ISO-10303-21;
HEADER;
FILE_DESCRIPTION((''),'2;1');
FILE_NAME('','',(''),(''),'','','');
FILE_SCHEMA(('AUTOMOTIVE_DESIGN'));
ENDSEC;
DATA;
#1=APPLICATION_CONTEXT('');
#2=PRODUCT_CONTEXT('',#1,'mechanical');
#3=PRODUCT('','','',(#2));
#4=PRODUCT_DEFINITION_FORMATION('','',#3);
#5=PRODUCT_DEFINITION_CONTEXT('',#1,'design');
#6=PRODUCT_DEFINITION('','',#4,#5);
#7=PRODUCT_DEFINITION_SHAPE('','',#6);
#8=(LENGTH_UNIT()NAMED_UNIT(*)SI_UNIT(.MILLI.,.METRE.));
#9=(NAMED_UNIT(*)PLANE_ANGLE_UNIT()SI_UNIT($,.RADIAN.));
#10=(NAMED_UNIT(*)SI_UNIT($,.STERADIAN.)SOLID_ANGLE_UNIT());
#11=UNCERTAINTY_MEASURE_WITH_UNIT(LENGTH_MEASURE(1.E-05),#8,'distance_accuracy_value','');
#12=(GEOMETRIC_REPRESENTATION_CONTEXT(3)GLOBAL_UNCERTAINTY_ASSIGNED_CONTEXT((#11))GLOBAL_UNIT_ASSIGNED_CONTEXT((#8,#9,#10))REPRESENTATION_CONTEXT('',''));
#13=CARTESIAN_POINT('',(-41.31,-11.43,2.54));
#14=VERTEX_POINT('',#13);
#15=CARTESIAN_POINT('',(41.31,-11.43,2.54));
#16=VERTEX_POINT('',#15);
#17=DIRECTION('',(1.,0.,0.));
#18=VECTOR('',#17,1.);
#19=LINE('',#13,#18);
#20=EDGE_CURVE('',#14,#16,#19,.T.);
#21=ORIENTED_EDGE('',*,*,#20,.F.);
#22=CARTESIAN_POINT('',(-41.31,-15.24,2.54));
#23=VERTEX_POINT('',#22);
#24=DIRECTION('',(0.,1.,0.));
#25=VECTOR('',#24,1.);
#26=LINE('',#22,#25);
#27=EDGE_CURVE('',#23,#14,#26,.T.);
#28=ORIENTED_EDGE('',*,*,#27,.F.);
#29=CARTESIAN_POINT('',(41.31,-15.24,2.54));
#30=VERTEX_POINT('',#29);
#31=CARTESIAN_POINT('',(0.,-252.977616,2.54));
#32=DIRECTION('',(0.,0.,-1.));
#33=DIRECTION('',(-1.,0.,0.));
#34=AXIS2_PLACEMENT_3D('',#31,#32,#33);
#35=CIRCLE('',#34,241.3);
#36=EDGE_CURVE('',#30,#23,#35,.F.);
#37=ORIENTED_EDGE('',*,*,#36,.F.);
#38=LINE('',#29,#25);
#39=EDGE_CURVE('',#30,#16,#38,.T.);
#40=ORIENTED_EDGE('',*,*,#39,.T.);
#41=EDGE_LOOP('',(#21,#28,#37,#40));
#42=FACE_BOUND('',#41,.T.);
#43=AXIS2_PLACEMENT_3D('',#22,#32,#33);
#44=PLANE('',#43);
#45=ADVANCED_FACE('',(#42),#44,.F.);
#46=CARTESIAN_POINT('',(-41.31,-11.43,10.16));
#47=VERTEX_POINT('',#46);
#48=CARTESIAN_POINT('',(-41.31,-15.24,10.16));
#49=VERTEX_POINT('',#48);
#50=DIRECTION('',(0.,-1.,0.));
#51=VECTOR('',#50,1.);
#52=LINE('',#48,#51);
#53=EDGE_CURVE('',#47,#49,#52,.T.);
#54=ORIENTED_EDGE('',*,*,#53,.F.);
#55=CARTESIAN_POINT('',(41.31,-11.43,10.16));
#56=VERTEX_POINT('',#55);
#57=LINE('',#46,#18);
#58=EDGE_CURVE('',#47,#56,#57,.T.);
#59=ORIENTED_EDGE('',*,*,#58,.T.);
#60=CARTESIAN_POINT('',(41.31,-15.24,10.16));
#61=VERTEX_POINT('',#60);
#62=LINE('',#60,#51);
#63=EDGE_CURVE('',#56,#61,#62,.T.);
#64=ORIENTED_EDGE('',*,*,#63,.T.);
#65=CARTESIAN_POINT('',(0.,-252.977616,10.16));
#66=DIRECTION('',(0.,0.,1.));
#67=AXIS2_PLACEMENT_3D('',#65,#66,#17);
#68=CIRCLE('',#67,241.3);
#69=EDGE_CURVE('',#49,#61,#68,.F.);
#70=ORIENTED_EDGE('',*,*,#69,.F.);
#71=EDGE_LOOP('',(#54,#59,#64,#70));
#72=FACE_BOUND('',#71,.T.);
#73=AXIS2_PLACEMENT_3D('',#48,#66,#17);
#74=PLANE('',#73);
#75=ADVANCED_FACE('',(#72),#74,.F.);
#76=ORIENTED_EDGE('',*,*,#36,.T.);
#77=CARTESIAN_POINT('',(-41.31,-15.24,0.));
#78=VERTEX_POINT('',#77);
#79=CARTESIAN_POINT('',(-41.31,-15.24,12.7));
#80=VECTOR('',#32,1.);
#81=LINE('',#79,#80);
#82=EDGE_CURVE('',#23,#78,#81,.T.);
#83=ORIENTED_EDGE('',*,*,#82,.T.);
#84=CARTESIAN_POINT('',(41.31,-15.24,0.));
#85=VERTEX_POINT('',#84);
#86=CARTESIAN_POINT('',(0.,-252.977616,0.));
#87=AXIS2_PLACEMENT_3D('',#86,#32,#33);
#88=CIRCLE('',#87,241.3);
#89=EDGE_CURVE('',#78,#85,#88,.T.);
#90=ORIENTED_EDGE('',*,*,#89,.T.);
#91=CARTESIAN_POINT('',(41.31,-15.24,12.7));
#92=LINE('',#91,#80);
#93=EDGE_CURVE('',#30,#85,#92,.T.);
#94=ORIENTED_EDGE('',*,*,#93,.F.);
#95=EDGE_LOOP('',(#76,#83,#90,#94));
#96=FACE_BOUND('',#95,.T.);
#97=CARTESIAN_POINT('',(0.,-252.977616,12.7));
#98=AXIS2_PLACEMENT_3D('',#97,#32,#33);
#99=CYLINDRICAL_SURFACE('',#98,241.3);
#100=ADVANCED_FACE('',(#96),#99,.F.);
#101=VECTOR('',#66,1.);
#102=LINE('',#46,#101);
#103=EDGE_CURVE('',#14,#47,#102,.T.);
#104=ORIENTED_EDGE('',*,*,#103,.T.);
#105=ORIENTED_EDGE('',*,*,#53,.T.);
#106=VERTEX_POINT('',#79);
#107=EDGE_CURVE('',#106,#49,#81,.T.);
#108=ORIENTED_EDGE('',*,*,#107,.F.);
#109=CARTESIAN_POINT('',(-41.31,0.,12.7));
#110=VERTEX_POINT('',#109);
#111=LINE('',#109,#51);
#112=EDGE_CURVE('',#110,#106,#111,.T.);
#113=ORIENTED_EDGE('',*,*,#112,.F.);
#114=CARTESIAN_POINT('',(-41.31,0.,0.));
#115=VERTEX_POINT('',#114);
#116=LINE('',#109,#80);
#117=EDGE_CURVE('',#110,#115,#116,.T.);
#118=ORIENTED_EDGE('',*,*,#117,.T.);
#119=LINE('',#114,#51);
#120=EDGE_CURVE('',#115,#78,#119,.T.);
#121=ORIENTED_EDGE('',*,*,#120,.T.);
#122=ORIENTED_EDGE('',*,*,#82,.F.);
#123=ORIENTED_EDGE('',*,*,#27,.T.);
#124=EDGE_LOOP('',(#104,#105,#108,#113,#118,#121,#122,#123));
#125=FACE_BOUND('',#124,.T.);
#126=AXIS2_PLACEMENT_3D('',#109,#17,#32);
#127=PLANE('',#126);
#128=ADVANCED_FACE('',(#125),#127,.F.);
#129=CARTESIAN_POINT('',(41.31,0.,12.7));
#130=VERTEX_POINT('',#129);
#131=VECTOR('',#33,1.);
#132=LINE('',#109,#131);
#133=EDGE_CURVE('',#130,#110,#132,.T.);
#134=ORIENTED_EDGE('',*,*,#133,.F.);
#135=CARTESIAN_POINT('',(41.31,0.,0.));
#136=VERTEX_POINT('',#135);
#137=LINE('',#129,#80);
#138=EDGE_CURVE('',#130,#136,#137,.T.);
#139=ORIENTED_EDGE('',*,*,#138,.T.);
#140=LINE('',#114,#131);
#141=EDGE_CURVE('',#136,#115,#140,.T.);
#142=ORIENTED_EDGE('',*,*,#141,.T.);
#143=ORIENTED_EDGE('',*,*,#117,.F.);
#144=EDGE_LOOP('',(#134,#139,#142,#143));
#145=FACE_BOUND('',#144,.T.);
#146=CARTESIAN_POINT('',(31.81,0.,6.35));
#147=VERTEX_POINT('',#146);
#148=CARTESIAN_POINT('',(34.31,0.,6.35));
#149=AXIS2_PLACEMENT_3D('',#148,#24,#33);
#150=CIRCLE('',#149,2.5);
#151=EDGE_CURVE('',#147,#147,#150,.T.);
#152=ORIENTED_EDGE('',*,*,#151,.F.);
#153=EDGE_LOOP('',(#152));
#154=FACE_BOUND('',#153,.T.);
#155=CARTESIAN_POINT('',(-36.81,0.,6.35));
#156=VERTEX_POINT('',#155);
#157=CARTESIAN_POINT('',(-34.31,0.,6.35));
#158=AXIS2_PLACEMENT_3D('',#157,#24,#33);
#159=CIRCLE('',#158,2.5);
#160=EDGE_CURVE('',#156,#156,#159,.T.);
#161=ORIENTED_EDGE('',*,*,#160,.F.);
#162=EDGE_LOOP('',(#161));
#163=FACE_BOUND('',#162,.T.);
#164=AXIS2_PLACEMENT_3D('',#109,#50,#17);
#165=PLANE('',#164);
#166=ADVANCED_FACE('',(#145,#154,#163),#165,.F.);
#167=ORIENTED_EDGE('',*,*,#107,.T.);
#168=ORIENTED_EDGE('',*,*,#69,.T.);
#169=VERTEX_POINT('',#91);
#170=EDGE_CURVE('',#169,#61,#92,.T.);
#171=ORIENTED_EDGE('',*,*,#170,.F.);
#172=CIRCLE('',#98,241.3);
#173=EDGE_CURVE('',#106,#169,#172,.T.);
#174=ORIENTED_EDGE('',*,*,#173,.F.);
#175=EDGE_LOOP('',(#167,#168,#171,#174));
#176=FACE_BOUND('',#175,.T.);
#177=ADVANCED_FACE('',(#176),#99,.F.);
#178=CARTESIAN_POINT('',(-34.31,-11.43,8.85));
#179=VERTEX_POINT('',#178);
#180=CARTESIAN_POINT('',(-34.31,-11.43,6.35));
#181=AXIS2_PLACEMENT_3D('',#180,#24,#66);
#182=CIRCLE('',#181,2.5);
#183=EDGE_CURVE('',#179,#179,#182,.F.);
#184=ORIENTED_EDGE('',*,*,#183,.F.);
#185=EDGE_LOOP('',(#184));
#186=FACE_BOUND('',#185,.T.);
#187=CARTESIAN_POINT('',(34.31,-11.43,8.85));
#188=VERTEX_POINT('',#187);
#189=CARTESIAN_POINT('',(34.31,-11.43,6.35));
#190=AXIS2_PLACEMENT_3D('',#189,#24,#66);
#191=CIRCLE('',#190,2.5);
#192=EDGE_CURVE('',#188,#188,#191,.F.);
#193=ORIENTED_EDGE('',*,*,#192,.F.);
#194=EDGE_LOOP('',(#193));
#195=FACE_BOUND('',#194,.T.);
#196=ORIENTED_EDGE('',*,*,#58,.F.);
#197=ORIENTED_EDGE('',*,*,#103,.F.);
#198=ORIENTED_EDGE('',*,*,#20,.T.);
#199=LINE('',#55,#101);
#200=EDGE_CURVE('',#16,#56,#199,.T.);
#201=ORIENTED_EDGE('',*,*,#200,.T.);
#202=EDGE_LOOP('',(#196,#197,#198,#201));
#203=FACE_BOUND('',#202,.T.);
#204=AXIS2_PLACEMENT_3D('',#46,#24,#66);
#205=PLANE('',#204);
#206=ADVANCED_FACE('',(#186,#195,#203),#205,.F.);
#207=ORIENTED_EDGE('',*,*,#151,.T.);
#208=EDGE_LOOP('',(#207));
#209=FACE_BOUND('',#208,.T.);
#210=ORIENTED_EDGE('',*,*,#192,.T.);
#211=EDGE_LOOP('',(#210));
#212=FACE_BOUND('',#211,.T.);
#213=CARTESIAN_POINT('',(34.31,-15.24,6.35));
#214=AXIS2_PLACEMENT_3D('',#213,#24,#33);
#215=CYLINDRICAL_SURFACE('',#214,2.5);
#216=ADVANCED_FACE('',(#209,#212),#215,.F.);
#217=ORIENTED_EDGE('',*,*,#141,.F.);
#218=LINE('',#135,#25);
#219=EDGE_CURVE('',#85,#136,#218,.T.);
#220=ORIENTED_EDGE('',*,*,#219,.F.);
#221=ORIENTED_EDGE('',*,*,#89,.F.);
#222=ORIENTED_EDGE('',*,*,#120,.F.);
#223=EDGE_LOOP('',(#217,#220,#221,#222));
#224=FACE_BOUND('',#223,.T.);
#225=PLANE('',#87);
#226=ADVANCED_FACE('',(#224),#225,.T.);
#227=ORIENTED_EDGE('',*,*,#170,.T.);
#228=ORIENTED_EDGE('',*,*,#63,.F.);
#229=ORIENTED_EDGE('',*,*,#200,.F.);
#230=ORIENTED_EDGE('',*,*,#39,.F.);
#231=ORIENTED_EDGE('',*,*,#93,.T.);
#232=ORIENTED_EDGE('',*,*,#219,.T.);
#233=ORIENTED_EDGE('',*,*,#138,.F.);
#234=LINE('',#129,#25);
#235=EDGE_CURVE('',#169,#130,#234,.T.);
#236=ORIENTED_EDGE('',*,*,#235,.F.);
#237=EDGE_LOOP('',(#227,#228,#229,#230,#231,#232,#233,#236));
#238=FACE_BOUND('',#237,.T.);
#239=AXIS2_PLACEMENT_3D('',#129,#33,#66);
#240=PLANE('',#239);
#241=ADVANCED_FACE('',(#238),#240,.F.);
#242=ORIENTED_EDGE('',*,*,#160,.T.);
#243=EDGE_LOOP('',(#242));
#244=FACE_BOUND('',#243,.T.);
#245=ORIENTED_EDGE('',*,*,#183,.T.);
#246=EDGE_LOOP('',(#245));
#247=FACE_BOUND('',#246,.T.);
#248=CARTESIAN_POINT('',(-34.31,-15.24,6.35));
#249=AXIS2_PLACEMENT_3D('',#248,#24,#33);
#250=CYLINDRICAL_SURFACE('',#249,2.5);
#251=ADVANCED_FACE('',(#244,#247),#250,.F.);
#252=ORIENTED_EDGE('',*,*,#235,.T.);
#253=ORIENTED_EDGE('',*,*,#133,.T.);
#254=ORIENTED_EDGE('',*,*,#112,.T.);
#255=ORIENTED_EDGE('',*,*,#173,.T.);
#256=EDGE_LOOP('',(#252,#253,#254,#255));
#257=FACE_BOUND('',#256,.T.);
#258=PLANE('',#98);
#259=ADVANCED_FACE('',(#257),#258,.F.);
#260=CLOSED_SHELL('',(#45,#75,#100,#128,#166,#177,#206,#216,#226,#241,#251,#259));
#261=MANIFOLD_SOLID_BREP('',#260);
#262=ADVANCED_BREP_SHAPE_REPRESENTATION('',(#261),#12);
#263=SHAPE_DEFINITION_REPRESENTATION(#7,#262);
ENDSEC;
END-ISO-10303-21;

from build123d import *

# Parameters (mm, degrees)
BOSS_EXTRUDE1_DEPTH = 12.7
SKETCH2_R           = 2.5
CUT_EXTRUDE1_DEPTH  = 16.24
SKETCH3_W           = 7.62
SKETCH3_H           = 3.81
CUT_EXTRUDE2_DEPTH  = 83.6200001


with BuildPart() as part:
    # Sketch1 → Boss-Extrude1 (new body)
    with BuildSketch(Plane.XY):
        with BuildLine():
            Line((-41.31, 0), (41.31, 0))
            Line((41.31, 0), (41.31, -15.24))
            ThreePointArc((41.31, -15.24), (0, -11.677615661), (-41.31, -15.24))
            Line((-41.31, -15.24), (-41.31, 0))
        make_face()
    extrude(amount=BOSS_EXTRUDE1_DEPTH)

    # Sketch2 → Cut-Extrude1 (cut, through all)
    with BuildSketch(Plane(origin=(0, 0, 0), x_dir=(1, 0, 0), z_dir=(0, 1, 0))):
        with Locations((-34.31, -6.35)):
            Circle(SKETCH2_R)
        with Locations((34.31, -6.35)):
            Circle(SKETCH2_R)
    extrude(amount=-CUT_EXTRUDE1_DEPTH, mode=Mode.SUBTRACT)

    # Sketch3 → Cut-Extrude2 (cut, through all)
    with BuildSketch(Plane(origin=(41.31, 0, 0), x_dir=(0, 0, -1), z_dir=(1, 0, 0))):
        with Locations((-6.35, -13.335)):
            Rectangle(SKETCH3_W, SKETCH3_H)
    extrude(amount=-CUT_EXTRUDE2_DEPTH, mode=Mode.SUBTRACT)


solid = part.part
